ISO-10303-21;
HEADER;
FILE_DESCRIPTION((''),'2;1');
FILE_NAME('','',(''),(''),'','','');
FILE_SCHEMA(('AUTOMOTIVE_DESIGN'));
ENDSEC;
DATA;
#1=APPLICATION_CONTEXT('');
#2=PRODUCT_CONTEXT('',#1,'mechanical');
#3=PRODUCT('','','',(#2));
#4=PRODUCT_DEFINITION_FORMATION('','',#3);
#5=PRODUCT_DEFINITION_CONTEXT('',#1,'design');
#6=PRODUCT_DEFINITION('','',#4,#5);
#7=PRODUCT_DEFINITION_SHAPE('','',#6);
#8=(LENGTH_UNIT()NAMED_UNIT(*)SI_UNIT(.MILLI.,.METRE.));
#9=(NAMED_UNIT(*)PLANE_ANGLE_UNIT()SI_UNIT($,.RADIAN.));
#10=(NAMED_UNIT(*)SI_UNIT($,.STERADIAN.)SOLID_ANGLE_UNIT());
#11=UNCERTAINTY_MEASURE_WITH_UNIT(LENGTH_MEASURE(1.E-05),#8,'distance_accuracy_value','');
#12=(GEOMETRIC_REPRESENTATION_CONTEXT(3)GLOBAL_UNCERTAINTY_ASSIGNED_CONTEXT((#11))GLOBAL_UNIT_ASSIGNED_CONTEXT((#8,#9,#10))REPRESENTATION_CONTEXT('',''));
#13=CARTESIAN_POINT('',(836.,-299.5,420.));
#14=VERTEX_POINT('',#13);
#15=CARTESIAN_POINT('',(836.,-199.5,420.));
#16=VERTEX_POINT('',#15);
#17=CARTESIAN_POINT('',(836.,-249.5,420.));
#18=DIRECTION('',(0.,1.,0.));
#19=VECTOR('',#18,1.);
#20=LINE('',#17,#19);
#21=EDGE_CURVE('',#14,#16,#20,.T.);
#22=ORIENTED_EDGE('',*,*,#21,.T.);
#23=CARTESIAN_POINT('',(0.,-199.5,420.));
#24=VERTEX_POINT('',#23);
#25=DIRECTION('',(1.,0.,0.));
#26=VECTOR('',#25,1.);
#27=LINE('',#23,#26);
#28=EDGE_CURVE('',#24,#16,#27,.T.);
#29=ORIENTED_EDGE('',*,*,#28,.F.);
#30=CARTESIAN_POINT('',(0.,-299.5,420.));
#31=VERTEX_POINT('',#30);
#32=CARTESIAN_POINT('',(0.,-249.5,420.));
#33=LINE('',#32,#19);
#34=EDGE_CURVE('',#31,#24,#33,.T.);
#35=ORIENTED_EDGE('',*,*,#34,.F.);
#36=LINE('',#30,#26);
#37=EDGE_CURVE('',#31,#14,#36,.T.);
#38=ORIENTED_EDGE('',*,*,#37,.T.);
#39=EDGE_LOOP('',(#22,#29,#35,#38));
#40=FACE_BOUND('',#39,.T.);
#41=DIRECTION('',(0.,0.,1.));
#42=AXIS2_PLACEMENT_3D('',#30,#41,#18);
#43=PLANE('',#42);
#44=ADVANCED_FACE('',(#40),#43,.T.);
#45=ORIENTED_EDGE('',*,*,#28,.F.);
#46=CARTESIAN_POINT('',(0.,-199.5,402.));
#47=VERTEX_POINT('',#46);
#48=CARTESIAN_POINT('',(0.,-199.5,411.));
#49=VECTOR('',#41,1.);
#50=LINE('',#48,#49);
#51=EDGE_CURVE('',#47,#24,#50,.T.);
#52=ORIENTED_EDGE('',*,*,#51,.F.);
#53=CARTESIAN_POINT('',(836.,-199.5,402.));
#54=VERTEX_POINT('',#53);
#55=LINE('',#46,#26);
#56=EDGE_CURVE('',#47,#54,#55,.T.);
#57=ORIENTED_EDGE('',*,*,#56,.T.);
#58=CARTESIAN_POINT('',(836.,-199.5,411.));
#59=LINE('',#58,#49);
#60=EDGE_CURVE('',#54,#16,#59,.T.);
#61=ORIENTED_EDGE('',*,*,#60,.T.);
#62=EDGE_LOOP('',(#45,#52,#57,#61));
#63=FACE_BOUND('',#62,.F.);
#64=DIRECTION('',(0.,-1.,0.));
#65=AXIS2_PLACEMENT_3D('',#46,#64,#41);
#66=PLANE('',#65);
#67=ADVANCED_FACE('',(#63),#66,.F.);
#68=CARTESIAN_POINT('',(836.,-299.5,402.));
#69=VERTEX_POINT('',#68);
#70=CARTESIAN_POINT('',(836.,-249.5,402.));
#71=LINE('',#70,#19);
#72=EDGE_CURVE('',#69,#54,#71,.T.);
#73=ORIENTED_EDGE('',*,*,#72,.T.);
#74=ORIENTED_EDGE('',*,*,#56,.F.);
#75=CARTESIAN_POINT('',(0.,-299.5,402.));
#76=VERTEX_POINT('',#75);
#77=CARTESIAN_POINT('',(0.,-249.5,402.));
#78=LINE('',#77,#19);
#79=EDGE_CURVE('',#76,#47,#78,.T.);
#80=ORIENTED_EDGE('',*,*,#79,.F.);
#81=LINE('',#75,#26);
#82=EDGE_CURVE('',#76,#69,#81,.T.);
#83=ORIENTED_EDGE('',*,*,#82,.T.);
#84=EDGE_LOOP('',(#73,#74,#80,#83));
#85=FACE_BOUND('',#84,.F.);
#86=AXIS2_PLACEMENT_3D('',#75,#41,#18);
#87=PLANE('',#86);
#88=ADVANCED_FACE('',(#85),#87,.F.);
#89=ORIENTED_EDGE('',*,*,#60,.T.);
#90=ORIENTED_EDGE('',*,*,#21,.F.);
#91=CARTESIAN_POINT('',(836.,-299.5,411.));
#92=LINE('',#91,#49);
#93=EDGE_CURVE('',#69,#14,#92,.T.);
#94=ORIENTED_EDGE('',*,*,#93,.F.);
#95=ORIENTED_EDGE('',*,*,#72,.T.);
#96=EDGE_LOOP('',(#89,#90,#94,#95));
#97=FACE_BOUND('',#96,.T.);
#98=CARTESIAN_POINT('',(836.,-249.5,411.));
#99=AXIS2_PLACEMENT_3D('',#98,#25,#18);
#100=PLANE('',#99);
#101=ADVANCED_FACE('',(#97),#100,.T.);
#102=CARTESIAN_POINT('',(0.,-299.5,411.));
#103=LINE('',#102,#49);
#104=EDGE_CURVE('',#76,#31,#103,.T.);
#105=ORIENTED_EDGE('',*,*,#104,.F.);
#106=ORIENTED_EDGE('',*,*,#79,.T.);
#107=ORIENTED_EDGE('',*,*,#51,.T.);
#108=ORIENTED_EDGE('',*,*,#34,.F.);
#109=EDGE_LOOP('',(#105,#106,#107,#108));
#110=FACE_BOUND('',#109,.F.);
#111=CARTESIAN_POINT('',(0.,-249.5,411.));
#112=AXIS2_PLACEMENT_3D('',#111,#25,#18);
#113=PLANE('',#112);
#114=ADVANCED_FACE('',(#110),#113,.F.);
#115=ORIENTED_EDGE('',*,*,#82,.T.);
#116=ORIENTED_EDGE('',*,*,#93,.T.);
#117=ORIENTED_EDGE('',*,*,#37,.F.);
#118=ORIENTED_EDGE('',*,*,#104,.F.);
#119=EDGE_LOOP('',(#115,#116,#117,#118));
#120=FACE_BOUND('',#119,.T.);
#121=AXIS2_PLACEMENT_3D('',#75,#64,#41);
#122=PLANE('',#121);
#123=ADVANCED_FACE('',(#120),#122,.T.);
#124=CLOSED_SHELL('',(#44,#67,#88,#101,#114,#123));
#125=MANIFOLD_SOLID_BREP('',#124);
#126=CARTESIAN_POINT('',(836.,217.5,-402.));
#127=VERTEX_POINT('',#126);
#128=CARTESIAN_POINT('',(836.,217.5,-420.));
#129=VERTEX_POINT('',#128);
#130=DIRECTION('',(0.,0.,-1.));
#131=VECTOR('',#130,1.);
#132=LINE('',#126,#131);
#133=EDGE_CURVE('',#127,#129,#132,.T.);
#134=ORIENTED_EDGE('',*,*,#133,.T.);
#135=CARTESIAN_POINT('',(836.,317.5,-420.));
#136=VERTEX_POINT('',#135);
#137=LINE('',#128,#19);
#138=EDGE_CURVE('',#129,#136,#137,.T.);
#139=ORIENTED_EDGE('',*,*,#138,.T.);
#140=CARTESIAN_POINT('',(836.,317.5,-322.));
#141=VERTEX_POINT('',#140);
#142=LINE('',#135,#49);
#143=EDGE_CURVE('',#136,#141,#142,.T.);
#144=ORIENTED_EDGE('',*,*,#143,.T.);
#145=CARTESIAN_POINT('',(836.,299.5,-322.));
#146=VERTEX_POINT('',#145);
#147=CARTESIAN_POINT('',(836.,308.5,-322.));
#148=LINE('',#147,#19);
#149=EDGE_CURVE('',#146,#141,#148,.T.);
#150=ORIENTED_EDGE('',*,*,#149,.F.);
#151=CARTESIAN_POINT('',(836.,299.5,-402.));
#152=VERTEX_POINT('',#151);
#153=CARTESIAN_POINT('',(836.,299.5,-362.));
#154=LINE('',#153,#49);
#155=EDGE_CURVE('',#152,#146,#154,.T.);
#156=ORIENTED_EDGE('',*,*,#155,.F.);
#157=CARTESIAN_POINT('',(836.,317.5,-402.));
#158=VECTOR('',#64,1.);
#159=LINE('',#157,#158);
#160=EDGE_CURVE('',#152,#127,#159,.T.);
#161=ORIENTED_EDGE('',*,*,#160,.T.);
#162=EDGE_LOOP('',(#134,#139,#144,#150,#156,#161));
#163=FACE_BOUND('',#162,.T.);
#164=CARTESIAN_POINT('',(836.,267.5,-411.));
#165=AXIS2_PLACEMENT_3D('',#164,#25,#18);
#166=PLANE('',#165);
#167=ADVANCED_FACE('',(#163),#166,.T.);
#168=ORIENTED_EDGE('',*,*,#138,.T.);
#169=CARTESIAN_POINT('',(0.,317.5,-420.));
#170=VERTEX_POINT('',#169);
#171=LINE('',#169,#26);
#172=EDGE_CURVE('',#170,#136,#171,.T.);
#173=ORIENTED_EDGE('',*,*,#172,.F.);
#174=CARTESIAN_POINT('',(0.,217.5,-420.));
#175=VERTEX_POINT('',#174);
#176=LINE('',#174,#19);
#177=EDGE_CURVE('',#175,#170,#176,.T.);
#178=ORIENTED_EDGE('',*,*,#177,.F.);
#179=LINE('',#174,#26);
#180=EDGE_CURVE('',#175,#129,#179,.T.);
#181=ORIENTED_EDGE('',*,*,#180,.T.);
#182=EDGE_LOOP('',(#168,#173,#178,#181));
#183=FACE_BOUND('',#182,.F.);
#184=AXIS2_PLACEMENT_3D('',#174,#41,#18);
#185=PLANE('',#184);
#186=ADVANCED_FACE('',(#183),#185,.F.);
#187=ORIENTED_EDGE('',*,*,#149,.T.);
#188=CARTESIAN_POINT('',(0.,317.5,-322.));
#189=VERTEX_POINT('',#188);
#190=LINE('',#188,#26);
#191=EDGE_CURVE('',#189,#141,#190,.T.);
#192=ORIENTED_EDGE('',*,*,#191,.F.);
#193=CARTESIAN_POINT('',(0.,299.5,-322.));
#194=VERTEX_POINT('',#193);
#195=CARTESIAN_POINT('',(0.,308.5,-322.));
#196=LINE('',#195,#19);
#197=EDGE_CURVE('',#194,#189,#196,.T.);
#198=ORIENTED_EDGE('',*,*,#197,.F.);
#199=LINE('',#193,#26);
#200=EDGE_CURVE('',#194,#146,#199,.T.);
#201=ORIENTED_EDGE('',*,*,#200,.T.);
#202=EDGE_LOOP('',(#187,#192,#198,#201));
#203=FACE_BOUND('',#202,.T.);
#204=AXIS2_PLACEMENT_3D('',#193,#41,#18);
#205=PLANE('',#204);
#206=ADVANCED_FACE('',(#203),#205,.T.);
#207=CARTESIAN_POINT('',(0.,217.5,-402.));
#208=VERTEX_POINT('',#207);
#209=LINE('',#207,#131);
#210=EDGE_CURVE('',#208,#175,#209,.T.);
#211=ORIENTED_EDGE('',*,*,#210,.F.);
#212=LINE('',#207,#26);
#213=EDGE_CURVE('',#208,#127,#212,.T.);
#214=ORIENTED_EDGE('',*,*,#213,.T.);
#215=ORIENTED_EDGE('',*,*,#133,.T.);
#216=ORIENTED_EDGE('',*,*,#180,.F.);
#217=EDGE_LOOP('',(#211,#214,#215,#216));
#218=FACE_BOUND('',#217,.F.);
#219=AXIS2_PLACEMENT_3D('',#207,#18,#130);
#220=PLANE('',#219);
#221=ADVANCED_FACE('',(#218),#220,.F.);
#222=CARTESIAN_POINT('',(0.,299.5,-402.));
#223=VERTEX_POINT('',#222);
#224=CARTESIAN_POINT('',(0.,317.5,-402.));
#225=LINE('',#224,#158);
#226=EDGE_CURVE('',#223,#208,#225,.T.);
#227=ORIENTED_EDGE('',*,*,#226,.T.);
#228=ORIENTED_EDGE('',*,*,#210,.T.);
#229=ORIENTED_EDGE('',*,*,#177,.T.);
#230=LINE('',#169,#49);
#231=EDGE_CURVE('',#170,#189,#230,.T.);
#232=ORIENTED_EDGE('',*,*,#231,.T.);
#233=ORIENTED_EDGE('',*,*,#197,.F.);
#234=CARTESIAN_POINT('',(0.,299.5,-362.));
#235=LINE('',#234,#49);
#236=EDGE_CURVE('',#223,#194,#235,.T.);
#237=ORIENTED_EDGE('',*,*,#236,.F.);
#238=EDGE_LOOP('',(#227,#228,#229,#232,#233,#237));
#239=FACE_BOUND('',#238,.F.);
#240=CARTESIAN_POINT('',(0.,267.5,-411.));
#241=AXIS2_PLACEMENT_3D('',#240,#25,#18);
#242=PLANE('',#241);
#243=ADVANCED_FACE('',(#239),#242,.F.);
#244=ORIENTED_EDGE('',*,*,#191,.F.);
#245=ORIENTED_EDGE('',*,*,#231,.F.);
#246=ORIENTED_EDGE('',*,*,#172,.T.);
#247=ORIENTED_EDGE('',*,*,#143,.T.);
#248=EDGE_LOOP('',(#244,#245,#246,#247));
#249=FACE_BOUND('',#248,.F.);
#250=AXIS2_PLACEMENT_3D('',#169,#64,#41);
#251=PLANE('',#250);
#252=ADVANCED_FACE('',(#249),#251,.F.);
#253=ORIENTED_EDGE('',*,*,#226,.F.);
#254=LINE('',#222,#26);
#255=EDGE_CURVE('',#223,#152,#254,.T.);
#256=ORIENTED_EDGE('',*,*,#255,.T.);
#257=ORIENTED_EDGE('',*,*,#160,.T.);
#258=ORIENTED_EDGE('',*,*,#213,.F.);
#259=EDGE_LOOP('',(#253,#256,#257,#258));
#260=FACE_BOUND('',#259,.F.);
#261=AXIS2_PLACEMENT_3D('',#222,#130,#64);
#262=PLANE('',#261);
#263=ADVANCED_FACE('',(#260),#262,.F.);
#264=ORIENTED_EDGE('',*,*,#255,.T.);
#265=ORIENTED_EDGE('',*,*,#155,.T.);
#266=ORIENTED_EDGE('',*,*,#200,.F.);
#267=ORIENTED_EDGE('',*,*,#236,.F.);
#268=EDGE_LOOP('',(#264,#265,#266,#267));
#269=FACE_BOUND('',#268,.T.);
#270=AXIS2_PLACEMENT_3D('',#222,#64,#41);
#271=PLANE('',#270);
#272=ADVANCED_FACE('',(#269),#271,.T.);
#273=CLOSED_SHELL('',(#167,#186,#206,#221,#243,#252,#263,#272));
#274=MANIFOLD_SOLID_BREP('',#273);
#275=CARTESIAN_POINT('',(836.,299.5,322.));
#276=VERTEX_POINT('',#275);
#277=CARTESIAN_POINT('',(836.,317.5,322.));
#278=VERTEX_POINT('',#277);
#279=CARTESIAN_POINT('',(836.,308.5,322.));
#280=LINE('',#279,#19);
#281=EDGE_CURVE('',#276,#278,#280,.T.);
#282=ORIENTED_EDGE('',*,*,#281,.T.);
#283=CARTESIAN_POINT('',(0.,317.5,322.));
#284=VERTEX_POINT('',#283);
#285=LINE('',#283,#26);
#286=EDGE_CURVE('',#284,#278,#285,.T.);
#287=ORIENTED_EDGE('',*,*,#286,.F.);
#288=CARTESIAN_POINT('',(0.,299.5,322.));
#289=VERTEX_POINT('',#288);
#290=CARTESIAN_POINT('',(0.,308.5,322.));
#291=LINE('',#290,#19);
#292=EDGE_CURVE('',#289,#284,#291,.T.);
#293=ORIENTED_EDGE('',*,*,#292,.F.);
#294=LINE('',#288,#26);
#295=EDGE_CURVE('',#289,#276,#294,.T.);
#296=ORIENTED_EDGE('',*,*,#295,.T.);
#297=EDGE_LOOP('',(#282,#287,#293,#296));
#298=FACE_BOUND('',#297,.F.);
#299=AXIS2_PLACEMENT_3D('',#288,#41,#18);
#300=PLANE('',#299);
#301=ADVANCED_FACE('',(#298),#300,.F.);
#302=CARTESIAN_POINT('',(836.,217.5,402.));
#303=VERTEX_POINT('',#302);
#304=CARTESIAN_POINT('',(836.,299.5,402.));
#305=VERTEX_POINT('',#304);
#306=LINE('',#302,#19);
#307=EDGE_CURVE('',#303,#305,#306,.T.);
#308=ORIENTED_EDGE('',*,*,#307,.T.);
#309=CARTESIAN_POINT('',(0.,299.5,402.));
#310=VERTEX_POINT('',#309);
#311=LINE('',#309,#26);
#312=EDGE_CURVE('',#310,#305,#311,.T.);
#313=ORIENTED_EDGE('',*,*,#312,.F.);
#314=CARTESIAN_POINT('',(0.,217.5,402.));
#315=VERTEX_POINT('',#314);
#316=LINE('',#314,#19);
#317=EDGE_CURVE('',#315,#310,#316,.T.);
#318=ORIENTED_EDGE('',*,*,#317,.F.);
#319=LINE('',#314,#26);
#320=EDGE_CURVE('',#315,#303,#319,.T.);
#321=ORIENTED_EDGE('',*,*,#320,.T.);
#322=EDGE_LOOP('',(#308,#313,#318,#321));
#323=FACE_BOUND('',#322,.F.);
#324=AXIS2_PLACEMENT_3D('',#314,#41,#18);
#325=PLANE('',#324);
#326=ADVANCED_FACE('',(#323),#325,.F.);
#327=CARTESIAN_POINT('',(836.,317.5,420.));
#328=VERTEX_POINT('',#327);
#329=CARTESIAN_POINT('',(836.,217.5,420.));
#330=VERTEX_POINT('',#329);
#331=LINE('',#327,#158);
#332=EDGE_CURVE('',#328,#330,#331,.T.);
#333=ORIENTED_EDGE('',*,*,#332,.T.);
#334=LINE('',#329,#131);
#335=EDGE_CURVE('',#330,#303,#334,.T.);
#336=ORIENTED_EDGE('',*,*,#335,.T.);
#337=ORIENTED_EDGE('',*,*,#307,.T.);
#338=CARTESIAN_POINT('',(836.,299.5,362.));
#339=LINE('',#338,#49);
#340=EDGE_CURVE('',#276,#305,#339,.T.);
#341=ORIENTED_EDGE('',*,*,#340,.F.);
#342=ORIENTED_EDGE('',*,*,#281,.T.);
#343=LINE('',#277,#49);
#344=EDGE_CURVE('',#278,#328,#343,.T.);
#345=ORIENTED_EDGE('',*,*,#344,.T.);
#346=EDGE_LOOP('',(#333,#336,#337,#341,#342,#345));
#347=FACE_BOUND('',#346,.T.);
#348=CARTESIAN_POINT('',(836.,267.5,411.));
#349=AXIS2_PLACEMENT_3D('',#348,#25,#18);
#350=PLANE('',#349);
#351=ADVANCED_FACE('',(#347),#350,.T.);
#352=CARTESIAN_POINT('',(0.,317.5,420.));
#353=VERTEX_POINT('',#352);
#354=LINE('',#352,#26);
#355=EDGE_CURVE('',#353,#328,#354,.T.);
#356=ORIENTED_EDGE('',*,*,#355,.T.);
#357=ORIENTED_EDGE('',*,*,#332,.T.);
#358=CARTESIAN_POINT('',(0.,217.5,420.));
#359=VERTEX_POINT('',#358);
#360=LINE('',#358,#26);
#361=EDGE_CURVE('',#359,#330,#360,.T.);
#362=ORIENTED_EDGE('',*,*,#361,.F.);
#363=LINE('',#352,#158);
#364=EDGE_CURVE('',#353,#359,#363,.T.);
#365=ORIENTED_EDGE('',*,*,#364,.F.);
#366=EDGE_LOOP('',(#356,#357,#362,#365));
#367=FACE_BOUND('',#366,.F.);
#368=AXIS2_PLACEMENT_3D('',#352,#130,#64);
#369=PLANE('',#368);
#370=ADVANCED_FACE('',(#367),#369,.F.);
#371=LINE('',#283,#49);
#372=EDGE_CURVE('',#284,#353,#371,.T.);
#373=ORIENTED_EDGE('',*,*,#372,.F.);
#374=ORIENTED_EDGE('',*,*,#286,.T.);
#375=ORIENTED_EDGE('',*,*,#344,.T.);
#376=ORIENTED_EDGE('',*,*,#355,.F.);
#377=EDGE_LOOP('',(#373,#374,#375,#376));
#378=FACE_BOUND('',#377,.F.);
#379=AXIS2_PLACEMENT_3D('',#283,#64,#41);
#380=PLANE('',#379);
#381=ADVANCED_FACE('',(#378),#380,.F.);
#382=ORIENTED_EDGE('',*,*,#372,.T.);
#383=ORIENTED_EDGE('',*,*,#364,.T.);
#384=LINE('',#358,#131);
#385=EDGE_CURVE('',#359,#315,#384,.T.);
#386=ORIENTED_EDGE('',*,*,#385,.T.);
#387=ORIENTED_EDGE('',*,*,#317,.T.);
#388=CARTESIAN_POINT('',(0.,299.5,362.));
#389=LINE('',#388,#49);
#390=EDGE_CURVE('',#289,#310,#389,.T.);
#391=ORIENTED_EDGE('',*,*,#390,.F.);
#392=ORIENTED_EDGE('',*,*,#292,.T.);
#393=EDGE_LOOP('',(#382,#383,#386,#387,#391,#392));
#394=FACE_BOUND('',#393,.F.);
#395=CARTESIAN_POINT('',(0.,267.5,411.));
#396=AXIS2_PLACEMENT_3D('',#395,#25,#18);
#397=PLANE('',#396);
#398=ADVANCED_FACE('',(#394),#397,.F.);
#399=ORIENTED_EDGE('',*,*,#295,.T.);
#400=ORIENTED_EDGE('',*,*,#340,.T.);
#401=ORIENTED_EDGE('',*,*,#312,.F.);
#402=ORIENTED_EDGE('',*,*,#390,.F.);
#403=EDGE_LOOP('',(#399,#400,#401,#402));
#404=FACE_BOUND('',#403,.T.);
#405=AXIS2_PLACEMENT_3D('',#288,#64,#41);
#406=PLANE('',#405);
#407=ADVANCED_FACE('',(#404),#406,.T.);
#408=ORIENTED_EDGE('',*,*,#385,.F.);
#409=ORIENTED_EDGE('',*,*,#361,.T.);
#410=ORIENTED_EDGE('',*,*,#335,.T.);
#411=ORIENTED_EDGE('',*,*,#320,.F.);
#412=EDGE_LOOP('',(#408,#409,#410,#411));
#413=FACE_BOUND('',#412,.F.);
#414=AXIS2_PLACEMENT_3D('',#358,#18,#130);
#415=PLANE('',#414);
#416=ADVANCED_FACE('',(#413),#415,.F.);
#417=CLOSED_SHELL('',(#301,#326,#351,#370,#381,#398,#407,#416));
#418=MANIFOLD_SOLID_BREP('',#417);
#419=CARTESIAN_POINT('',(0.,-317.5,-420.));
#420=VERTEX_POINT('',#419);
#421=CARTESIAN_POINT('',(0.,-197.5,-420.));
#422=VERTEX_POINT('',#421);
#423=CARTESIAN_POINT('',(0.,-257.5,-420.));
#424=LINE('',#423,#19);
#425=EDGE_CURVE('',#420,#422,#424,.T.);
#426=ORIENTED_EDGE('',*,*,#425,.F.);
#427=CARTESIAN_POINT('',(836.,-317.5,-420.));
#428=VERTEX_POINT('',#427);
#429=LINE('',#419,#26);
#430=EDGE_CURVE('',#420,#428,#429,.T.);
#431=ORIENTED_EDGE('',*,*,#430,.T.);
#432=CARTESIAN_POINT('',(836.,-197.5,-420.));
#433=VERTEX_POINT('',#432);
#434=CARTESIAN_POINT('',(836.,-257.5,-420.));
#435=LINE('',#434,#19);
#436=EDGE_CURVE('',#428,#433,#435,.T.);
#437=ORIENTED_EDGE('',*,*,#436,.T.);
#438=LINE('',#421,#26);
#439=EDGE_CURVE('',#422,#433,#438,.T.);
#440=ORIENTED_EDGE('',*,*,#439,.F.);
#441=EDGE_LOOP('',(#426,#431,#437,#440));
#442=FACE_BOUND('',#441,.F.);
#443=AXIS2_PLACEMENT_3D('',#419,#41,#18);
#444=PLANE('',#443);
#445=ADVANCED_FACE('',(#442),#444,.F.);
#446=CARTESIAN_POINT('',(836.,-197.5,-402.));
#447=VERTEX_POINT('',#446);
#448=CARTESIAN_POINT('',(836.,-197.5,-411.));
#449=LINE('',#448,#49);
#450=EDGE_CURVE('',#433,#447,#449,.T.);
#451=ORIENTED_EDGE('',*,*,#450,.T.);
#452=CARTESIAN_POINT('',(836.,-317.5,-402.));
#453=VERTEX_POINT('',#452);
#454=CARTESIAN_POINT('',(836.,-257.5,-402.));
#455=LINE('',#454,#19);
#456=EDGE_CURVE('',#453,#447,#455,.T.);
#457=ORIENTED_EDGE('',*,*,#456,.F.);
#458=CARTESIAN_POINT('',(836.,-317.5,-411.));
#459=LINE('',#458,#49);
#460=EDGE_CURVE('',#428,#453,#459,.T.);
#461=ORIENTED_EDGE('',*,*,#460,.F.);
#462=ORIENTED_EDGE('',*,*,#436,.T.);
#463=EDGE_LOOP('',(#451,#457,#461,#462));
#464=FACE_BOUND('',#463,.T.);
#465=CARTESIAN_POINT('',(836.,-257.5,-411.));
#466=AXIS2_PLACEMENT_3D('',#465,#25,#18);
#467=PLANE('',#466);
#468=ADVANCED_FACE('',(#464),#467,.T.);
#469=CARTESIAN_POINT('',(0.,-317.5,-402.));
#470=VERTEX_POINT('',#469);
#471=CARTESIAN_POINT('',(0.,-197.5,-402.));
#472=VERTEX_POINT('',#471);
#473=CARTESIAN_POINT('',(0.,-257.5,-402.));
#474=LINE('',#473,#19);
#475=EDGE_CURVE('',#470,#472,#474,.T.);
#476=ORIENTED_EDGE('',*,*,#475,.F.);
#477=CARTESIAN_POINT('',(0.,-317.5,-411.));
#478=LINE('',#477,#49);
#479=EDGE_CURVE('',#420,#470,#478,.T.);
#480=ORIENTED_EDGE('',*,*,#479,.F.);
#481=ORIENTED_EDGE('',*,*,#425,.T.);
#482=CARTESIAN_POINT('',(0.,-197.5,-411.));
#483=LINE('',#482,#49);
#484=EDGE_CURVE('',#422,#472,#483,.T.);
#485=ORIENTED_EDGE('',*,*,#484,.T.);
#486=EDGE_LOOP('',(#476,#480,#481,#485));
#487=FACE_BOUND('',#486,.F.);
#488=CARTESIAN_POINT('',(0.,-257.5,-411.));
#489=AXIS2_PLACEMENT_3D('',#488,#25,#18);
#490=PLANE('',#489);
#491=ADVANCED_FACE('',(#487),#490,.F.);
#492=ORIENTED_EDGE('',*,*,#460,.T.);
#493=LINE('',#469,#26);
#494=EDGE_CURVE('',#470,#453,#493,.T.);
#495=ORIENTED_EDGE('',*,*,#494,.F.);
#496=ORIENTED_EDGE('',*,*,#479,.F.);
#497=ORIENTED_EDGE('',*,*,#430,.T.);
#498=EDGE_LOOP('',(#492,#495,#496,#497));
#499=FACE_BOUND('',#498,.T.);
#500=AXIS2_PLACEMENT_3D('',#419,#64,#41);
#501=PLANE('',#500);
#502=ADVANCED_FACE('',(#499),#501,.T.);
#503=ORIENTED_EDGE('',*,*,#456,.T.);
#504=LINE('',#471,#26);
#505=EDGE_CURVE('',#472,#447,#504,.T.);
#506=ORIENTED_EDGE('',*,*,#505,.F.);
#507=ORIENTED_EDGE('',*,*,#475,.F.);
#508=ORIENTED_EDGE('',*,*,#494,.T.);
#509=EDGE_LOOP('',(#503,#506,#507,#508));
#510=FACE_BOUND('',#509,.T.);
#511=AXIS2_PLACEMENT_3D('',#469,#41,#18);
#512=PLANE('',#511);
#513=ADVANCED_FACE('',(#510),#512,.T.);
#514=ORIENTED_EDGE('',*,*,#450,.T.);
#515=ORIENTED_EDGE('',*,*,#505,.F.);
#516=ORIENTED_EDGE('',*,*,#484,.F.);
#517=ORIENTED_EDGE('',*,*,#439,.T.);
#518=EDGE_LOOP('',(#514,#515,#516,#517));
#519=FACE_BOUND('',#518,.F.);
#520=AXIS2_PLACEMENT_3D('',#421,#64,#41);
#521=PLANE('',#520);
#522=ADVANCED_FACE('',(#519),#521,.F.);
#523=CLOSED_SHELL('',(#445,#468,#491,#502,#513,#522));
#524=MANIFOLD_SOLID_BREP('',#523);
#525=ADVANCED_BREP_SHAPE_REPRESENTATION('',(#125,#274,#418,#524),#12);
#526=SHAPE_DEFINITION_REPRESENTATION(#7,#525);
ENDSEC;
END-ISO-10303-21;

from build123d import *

# Parameters (mm, degrees)
F0_W     = 18
F0_H     = 80
F0_W_2   = 100
F0_H_2   = 18
F0_W_3   = 120
F1_DEPTH = 836


with BuildPart() as f1:
    # F0 (on Right) → F1 (new body)
    with BuildSketch(Plane.YZ):
        Polygon((317.5, 402), (317.5, 420), (217.5, 420), (217.5, 402), (299.5, 402), align=None)
        with Locations((308.5, 362)):
            Rectangle(F0_W, F0_H)
        with Locations((-249.5, 411)):
            Rectangle(F0_W_2, F0_H_2)
        with Locations((-257.5, -411)):
            Rectangle(F0_W_3, F0_H_2)
        Polygon((217.5, -420), (317.5, -420), (317.5, -402), (299.5, -402), (217.5, -402), align=None)
        with Locations((308.5, -362)):
            Rectangle(F0_W, F0_H)
    extrude(amount=F1_DEPTH)


solid = f1.part
